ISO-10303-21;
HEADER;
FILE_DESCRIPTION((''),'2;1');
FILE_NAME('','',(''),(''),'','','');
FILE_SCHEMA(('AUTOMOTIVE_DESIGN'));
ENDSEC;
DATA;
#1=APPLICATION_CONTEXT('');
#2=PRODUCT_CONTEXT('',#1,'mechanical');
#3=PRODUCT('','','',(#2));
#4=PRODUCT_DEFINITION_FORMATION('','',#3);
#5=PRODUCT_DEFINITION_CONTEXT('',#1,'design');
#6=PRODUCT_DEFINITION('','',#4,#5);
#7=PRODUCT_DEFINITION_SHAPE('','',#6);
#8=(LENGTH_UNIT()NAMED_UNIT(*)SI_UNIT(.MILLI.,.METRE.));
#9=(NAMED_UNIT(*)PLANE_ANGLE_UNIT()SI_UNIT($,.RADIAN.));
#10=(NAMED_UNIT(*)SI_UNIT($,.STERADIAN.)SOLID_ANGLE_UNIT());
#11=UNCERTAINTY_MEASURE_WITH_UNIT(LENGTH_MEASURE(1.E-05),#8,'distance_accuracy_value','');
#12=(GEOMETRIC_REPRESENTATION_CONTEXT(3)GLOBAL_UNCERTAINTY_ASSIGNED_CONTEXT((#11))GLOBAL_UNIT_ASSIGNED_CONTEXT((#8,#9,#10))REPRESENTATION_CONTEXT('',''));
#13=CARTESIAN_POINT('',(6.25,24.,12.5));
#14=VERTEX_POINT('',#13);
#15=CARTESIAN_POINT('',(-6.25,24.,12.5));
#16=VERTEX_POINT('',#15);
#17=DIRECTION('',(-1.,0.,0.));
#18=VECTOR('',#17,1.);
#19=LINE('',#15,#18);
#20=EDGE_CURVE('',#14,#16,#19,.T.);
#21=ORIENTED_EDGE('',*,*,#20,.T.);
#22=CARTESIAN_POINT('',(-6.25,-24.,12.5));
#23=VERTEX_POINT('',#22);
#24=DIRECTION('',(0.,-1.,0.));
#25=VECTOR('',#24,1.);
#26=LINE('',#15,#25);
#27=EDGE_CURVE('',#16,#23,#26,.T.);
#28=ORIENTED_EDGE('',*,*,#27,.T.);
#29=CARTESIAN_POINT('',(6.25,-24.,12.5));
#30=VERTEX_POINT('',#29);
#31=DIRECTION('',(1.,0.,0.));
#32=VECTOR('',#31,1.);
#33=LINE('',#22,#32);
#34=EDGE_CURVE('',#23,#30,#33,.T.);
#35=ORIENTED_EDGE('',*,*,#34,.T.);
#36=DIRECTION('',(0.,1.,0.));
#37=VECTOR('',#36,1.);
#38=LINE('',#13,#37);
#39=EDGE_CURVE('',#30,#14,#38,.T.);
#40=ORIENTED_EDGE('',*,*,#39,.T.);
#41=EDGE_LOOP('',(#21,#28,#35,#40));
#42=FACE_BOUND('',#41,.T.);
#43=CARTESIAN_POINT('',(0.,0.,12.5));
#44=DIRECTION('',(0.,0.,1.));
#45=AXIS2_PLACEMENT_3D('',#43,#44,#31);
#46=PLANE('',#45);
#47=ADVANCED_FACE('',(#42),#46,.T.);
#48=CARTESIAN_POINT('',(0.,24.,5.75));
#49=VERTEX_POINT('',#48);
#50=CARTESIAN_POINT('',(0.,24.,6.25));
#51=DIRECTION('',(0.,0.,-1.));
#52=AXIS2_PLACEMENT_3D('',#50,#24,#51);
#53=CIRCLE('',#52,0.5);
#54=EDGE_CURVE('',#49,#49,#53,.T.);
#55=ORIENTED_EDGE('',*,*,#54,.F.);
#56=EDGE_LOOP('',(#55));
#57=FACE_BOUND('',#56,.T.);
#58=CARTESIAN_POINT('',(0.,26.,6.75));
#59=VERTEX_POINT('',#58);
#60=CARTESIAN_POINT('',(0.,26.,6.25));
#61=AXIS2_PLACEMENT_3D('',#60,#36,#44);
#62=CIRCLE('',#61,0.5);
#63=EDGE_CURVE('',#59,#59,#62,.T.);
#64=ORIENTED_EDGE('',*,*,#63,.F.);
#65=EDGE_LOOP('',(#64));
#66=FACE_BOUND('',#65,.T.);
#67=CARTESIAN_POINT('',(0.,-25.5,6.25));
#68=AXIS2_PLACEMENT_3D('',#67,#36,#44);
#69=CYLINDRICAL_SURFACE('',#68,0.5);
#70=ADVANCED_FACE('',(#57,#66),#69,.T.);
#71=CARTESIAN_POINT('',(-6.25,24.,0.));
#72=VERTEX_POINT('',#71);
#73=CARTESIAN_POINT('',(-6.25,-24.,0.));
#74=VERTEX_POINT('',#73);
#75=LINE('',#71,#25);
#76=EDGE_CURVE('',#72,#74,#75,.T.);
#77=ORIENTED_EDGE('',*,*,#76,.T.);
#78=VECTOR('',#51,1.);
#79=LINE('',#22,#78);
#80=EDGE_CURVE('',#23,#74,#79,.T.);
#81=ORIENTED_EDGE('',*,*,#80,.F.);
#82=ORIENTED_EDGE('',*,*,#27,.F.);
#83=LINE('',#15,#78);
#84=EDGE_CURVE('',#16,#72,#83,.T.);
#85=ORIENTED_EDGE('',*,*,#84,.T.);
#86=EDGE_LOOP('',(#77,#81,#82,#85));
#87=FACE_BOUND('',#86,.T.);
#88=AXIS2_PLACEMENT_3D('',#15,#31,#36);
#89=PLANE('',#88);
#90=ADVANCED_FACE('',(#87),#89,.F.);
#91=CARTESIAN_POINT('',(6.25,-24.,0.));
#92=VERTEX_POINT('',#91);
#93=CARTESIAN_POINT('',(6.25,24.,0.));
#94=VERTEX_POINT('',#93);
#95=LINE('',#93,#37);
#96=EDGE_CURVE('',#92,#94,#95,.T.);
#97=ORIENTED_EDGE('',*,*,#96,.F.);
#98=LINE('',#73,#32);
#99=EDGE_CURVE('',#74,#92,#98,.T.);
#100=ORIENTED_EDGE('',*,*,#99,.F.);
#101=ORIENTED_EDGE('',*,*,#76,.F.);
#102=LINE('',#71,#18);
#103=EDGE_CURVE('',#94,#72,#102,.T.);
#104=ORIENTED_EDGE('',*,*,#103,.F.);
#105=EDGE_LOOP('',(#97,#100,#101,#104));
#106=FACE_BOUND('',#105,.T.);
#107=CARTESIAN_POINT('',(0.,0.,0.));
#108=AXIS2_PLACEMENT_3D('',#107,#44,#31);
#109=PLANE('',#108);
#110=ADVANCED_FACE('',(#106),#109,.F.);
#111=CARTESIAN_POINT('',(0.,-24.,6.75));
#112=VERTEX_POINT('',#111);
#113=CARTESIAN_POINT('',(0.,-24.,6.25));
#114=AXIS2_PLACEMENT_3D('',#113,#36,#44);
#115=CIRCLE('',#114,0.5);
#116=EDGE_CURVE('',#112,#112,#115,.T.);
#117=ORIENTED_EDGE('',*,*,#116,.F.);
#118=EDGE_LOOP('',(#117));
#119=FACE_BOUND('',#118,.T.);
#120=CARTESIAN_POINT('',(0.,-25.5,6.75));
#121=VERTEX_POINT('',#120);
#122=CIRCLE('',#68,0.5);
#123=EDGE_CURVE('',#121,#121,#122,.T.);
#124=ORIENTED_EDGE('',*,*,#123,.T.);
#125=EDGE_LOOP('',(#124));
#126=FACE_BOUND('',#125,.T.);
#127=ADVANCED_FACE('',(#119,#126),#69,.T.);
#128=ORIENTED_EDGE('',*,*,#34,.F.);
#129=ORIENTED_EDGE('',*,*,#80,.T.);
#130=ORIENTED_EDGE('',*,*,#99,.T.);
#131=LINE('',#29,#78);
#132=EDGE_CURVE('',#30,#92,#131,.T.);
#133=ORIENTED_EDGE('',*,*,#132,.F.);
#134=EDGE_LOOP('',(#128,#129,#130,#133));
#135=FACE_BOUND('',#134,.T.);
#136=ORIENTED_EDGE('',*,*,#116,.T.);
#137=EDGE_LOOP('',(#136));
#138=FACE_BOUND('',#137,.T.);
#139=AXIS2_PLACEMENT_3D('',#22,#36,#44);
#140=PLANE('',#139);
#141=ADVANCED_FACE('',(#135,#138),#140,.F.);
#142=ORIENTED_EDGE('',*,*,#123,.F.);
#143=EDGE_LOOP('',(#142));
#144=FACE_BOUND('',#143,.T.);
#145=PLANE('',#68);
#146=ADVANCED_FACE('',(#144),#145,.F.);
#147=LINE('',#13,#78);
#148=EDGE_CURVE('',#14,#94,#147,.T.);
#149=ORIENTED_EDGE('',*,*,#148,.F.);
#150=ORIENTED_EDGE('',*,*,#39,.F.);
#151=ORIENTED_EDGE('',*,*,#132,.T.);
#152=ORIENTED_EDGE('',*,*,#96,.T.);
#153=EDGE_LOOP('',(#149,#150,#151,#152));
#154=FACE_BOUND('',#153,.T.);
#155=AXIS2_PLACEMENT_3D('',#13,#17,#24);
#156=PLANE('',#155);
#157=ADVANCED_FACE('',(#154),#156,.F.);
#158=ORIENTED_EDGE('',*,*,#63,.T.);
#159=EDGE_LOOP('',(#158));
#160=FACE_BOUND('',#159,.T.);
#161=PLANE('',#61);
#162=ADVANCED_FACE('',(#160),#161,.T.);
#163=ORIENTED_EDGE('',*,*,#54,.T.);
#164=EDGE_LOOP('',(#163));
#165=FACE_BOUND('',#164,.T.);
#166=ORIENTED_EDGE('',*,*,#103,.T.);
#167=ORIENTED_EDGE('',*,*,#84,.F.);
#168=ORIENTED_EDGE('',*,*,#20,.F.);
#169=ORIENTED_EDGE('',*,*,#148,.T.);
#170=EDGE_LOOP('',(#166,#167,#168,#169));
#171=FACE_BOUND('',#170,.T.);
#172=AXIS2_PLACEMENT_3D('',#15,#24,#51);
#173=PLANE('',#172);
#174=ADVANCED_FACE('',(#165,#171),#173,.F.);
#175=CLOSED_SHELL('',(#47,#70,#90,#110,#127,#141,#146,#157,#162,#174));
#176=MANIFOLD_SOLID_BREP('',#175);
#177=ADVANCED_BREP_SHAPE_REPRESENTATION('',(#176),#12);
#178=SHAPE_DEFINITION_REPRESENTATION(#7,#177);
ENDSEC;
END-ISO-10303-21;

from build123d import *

# Parameters (mm, degrees)
SKETCH_1_W           = 12.5
SKETCH_1_H           = 48
EXTRUDE_1_DEPTH      = 12.5
EXTRUDE_2_DEPTH      = 2
EXTRUDE_2_DEPTH_BACK = 49.5
SKETCH_2_R           = 0.5


with BuildPart() as part:
    # 草图1 → 凸台-拉伸1 (new body)
    with BuildSketch(Plane.XY):
        Rectangle(SKETCH_1_W, SKETCH_1_H)
    extrude(amount=EXTRUDE_1_DEPTH)

    # 草图2 → 凸台-拉伸2 (add, two sides: drawn at the far end of the back side and taken through both)
    with BuildSketch(Plane(origin=(0, 24, 0), x_dir=(1, 0, 0), z_dir=(0, 1, 0)).offset(-EXTRUDE_2_DEPTH_BACK)):
        with Locations(Location((0, -6.25, 0), (0, 0, 270))):
            Circle(SKETCH_2_R)
    extrude(amount=EXTRUDE_2_DEPTH + EXTRUDE_2_DEPTH_BACK)


solid = part.part
